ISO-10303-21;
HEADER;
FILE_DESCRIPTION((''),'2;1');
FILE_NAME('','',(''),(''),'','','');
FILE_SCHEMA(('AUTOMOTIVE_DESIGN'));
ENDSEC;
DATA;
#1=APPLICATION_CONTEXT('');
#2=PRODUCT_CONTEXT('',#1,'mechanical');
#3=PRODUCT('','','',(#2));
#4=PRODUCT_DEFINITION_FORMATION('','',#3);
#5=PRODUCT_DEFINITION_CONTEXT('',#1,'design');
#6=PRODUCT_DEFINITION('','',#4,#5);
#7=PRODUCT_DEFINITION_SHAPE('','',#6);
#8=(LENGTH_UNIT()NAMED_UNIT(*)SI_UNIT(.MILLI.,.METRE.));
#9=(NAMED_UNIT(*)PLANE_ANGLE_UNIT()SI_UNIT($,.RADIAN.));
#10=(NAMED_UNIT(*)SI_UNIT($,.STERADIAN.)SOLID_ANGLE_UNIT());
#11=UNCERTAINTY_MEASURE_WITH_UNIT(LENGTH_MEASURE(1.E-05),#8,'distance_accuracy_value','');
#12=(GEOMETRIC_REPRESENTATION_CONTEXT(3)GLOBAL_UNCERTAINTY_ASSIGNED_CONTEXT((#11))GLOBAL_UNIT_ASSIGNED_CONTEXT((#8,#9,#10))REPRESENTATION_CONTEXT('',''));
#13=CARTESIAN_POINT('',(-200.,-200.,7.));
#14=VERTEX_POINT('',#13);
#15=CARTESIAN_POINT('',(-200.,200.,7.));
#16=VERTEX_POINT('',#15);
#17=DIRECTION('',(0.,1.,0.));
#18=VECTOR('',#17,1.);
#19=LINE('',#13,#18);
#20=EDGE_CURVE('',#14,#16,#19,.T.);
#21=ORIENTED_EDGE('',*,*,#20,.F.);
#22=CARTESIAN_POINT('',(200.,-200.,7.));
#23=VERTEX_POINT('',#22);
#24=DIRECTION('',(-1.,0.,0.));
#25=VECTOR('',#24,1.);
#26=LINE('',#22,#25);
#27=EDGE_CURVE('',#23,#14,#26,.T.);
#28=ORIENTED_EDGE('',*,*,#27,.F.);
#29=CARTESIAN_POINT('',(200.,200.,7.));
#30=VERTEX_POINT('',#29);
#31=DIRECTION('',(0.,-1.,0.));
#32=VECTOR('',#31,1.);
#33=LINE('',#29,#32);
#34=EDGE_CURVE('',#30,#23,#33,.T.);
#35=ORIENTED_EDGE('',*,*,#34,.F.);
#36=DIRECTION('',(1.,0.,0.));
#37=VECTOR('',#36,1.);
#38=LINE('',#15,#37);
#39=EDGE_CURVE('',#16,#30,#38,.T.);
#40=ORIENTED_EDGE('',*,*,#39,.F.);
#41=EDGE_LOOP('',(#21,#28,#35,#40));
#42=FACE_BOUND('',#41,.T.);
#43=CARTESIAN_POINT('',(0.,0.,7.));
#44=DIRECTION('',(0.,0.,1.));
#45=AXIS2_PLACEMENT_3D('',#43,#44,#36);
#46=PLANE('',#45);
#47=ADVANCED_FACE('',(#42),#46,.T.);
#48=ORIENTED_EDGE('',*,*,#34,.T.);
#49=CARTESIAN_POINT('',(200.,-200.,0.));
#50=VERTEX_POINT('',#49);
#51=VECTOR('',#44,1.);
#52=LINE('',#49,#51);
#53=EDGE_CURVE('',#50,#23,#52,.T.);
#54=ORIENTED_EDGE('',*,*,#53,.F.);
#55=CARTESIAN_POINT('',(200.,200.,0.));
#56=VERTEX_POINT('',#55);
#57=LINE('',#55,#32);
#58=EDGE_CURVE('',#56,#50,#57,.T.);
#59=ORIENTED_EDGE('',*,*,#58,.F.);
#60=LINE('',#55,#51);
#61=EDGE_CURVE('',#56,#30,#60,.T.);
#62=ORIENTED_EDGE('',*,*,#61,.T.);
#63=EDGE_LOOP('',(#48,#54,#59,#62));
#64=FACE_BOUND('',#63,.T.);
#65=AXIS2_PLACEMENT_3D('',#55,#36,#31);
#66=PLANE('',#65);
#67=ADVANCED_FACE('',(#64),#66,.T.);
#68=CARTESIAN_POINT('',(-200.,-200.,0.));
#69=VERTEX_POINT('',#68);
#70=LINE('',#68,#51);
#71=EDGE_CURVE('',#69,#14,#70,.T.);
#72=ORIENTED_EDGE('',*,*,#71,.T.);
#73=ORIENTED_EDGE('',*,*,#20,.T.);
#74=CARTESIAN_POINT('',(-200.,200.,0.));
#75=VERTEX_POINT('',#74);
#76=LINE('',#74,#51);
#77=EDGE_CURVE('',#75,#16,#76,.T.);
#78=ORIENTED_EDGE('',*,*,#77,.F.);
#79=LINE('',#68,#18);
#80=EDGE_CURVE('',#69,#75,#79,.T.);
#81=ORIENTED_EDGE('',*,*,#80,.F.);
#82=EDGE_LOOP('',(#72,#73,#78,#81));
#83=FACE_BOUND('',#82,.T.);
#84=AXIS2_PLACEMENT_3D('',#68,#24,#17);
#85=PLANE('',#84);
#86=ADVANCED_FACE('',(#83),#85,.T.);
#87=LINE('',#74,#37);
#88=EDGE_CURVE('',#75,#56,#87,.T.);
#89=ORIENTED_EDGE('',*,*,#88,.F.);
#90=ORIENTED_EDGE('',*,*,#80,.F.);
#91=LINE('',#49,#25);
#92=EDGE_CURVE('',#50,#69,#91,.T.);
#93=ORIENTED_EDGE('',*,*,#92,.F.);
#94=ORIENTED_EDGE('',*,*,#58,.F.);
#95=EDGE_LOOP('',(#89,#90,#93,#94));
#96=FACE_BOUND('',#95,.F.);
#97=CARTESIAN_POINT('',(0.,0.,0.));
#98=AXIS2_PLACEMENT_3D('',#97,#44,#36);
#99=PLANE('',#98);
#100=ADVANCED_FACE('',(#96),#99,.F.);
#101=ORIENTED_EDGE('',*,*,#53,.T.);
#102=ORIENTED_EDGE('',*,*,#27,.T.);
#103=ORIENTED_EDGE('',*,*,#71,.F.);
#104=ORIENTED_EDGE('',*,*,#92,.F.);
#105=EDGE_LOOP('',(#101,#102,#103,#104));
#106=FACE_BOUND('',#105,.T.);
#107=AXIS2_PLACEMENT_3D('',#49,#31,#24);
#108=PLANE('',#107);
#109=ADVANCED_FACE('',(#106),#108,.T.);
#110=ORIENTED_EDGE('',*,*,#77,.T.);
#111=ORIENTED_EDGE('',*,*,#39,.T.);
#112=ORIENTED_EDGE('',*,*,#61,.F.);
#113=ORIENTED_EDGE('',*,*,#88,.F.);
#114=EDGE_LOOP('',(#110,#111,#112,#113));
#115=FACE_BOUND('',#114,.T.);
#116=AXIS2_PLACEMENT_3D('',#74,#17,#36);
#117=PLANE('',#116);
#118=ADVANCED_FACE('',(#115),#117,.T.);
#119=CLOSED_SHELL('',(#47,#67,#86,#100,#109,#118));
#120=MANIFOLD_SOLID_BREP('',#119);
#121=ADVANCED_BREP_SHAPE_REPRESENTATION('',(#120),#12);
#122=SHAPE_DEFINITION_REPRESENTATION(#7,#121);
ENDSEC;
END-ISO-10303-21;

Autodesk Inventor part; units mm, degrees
ref_plane "YZ Plane" through (0, 0, 0) normal (1, 0, 0) x (0, 1, 0)
ref_plane "XZ Plane" through (0, 0, 0) normal (0, 1, 0) x (-1, 0, 0)
ref_plane "XY Plane" through (0, 0, 0) normal (0, 0, 1) x (1, 0, 0)
sketch "Sketch1" plane through (0, 0, 0) normal (0, 0, 1) x (1, 0, 0)
  line L0 (-200, 200) -> (200, 200)
  line L1 (200, 200) -> (200, -200)
  line L2 (200, -200) -> (-200, -200)
  line L3 (-200, -200) -> (-200, 200)
  point P0 (0, 0)
  point P1 (0, 200)
  point P2 (200, 0)
  dimension "d0" = 400
extrude "Extrusion1" add sketch "Sketch1" along normal blind 7
properties part number "welding-desk-top" material "Stainless Steel"
